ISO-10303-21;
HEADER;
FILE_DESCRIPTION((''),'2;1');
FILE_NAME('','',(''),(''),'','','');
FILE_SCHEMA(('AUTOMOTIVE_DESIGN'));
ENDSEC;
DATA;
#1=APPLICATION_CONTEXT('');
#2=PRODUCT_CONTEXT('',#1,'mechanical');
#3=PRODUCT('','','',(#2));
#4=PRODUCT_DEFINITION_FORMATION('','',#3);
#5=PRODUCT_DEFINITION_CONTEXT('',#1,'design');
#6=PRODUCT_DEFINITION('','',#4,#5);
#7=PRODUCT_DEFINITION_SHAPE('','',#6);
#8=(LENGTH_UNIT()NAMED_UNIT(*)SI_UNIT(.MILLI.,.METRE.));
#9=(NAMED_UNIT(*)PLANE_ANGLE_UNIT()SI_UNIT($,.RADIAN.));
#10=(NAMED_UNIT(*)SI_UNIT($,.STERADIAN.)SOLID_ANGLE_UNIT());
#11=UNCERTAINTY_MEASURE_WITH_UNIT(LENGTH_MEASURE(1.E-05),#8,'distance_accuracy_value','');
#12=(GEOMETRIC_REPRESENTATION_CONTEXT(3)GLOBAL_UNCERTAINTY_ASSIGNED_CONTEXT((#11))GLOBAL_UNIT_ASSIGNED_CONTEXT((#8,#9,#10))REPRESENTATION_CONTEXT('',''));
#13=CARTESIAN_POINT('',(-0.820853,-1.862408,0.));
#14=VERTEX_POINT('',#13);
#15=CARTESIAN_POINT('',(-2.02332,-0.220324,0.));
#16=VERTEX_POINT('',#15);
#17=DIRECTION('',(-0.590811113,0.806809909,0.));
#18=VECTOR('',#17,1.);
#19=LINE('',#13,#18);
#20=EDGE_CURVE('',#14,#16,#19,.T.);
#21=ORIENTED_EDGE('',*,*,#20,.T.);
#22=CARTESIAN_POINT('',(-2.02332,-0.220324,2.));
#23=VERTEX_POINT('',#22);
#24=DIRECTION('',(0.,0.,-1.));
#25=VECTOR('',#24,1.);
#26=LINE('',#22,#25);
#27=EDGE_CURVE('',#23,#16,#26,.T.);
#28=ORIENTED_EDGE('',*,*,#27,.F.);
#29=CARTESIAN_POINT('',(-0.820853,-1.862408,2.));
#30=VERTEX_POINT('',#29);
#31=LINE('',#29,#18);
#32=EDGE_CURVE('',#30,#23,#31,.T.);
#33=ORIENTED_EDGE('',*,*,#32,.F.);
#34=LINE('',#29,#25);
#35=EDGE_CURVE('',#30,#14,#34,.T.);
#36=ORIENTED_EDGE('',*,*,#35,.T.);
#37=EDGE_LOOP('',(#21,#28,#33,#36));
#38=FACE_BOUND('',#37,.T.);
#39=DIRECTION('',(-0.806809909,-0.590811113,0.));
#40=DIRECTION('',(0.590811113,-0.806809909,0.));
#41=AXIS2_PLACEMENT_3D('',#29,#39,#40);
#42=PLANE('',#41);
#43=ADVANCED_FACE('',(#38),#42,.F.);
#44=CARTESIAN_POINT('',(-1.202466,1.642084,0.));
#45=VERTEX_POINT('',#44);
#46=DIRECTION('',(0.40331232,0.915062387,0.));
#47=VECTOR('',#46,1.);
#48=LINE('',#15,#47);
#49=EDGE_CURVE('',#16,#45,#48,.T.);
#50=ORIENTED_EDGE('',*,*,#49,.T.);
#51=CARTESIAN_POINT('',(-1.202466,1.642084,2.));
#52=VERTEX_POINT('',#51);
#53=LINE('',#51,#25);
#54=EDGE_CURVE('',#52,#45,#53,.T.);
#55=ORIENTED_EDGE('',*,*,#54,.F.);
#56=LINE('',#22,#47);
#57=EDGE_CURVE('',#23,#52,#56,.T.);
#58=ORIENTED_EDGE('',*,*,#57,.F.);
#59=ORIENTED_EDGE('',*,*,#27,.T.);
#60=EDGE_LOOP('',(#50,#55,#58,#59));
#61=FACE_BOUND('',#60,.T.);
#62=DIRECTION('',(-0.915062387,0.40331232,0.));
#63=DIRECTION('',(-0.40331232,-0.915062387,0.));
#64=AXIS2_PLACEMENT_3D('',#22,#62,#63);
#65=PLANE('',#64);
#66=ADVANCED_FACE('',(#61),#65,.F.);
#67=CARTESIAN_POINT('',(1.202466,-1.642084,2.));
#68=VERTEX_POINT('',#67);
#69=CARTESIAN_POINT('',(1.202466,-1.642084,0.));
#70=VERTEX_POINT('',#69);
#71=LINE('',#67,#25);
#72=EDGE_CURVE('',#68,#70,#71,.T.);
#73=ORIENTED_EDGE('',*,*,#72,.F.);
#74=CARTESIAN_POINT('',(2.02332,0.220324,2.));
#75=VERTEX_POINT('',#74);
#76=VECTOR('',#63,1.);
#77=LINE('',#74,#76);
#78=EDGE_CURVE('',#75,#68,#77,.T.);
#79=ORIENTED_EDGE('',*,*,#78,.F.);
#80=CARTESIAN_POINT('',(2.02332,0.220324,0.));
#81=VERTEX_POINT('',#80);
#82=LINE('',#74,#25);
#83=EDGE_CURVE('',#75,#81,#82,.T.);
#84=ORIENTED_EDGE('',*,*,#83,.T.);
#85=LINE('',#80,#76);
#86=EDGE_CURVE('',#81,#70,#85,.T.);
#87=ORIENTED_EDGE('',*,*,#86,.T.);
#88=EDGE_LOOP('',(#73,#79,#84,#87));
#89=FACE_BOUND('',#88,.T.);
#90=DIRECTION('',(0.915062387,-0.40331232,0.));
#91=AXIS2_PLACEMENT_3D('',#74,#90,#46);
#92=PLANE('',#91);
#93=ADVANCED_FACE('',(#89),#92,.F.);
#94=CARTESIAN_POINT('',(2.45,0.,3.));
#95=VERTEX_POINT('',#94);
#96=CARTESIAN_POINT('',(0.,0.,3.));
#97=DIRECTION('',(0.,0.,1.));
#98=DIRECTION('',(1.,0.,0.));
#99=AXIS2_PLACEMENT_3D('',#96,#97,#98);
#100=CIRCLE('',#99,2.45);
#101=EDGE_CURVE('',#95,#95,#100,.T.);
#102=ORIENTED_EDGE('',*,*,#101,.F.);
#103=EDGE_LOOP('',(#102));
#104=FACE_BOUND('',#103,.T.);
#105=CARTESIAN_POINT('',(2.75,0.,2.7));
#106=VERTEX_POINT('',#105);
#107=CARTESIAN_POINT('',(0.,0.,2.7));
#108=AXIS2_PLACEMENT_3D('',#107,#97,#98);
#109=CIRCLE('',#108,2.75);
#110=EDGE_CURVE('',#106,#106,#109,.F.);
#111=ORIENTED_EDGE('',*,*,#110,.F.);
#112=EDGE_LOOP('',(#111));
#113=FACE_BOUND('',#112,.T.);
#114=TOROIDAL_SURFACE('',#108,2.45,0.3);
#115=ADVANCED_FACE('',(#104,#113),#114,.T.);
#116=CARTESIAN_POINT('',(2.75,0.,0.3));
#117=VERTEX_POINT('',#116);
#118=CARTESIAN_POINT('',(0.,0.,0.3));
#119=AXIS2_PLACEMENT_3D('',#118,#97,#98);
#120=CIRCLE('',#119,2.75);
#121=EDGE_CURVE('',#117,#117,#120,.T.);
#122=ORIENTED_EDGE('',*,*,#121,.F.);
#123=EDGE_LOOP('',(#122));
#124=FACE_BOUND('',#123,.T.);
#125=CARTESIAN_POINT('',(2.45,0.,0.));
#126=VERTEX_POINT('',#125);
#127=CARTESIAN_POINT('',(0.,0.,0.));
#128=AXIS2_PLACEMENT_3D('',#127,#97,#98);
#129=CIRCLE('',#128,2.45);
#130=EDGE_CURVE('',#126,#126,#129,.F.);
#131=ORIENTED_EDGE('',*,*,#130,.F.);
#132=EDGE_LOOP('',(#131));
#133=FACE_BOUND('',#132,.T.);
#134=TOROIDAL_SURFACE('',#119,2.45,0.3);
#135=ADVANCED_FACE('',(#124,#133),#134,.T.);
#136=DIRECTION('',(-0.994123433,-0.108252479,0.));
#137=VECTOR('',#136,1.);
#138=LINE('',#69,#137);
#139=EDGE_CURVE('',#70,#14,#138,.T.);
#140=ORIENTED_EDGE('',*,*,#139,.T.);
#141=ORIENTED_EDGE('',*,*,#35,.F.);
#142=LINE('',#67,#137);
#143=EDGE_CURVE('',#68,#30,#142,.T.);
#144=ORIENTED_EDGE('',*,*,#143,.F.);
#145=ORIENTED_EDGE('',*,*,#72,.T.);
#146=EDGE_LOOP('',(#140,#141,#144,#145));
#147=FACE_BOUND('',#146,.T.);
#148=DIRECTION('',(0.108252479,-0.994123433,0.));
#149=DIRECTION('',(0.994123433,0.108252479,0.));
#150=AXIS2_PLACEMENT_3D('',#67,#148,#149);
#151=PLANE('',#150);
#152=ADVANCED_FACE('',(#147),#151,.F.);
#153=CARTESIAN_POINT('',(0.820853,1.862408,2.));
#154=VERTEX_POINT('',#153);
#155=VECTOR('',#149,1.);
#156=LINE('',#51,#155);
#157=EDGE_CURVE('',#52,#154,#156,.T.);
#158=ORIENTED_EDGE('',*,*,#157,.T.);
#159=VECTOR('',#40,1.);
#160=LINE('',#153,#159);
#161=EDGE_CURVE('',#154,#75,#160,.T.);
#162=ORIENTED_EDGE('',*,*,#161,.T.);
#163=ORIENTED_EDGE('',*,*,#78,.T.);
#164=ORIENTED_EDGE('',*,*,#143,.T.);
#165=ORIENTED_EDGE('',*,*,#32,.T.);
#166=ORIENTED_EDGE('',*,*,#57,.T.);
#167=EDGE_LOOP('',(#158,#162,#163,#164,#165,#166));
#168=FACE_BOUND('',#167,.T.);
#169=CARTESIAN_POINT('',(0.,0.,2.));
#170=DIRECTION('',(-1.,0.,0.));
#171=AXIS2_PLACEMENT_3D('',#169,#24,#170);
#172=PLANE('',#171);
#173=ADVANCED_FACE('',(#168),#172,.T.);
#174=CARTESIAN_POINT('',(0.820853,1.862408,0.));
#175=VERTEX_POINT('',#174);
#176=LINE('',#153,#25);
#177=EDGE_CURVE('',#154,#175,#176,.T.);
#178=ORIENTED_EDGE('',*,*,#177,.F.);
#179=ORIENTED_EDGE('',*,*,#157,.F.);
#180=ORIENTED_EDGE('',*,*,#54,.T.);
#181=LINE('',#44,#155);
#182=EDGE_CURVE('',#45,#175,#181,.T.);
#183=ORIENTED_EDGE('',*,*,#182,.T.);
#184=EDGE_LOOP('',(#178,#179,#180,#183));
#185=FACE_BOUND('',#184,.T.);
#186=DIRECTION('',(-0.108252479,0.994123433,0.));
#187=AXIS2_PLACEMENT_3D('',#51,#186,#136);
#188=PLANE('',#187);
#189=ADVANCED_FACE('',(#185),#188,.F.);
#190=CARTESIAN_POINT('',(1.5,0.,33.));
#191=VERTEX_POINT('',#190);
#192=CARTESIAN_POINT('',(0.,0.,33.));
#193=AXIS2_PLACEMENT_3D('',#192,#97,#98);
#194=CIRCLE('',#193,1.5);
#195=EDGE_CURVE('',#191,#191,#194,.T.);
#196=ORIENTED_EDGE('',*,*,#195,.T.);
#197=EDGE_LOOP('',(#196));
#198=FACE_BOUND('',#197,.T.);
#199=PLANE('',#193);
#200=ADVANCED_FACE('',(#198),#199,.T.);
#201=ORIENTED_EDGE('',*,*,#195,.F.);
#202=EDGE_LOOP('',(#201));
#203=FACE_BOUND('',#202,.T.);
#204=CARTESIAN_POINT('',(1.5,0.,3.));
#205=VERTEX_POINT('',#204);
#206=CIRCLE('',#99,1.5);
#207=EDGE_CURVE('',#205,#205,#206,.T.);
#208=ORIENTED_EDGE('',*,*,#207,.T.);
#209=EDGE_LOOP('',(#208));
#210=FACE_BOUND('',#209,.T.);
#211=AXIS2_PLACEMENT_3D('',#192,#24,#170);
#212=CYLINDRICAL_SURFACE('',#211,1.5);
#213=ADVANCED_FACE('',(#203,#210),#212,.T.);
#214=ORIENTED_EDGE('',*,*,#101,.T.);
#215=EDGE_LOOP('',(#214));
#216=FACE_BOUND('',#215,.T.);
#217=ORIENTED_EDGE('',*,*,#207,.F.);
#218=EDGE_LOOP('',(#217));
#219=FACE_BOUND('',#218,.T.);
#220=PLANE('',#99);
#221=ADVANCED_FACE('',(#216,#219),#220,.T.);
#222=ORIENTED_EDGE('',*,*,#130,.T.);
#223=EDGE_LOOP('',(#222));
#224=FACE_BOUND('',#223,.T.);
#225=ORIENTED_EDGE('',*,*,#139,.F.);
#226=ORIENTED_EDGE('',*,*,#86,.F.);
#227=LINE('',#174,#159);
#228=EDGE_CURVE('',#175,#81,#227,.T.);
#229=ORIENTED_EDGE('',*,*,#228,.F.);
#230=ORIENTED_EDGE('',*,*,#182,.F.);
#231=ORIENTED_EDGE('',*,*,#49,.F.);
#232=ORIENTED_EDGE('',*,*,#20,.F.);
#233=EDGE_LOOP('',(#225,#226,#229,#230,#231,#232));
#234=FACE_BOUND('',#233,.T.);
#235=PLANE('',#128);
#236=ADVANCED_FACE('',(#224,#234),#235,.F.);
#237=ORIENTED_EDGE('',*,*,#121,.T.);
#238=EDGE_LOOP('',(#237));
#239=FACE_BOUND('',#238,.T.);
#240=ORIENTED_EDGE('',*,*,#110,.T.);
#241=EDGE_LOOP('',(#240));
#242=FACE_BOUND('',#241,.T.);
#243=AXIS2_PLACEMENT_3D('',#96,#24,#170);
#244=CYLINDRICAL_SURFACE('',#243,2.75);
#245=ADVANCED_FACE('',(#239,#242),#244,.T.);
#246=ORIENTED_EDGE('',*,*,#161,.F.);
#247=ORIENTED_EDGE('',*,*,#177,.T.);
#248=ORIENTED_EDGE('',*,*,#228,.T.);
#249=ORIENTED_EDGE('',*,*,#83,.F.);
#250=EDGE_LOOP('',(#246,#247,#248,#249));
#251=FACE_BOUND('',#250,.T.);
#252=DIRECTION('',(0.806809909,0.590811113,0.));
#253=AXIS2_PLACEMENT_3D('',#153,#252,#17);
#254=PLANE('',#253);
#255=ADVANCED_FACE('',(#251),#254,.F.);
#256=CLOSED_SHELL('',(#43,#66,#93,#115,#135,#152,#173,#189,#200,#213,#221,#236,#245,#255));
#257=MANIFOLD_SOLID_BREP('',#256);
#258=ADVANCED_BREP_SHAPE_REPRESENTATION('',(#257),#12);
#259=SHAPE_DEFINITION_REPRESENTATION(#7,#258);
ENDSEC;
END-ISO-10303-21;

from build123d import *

# Parameters (mm, degrees)
SKETCH_1_R          = 2.75
EXTRUDE_1_DEPTH     = 3
SKETCH_2_R          = 1.5
EXTRUDE_2_DEPTH     = 30
FILLET_1_R          = 0.3
CUT_EXTRUDE_1_DEPTH = 2


with BuildPart() as part:
    # 草图1 → 凸台-拉伸1 (new body)
    with BuildSketch(Plane.XY):
        Circle(SKETCH_1_R)
    extrude(amount=EXTRUDE_1_DEPTH)

    # 草图2 → 凸台-拉伸2 (add)
    with BuildSketch(Plane.XY.offset(3)):
        Circle(SKETCH_2_R)
    extrude(amount=EXTRUDE_2_DEPTH)

    # 圆角1
    fillet_1_edges = [part.edges().sort_by_distance(p)[0] for p in [
        (-2.75, 0, 0),
        (-2.75, 0, 3),
    ]]
    fillet(fillet_1_edges, radius=FILLET_1_R)

    # 草图3 → 切除-拉伸1 (cut)
    with BuildSketch(Plane(origin=(0, 0, 0), x_dir=(-1, 0, 0), z_dir=(0, 0, -1))):
        Polygon((-0.820853493, 1.862408161), (-2.023319526, 0.220324103), (-1.202466033, -1.642084058), (0.820853493, -1.862408161), (2.023319526, -0.220324103), (1.202466033, 1.642084058), align=None)
    extrude(amount=-CUT_EXTRUDE_1_DEPTH, mode=Mode.SUBTRACT)


solid = part.part
